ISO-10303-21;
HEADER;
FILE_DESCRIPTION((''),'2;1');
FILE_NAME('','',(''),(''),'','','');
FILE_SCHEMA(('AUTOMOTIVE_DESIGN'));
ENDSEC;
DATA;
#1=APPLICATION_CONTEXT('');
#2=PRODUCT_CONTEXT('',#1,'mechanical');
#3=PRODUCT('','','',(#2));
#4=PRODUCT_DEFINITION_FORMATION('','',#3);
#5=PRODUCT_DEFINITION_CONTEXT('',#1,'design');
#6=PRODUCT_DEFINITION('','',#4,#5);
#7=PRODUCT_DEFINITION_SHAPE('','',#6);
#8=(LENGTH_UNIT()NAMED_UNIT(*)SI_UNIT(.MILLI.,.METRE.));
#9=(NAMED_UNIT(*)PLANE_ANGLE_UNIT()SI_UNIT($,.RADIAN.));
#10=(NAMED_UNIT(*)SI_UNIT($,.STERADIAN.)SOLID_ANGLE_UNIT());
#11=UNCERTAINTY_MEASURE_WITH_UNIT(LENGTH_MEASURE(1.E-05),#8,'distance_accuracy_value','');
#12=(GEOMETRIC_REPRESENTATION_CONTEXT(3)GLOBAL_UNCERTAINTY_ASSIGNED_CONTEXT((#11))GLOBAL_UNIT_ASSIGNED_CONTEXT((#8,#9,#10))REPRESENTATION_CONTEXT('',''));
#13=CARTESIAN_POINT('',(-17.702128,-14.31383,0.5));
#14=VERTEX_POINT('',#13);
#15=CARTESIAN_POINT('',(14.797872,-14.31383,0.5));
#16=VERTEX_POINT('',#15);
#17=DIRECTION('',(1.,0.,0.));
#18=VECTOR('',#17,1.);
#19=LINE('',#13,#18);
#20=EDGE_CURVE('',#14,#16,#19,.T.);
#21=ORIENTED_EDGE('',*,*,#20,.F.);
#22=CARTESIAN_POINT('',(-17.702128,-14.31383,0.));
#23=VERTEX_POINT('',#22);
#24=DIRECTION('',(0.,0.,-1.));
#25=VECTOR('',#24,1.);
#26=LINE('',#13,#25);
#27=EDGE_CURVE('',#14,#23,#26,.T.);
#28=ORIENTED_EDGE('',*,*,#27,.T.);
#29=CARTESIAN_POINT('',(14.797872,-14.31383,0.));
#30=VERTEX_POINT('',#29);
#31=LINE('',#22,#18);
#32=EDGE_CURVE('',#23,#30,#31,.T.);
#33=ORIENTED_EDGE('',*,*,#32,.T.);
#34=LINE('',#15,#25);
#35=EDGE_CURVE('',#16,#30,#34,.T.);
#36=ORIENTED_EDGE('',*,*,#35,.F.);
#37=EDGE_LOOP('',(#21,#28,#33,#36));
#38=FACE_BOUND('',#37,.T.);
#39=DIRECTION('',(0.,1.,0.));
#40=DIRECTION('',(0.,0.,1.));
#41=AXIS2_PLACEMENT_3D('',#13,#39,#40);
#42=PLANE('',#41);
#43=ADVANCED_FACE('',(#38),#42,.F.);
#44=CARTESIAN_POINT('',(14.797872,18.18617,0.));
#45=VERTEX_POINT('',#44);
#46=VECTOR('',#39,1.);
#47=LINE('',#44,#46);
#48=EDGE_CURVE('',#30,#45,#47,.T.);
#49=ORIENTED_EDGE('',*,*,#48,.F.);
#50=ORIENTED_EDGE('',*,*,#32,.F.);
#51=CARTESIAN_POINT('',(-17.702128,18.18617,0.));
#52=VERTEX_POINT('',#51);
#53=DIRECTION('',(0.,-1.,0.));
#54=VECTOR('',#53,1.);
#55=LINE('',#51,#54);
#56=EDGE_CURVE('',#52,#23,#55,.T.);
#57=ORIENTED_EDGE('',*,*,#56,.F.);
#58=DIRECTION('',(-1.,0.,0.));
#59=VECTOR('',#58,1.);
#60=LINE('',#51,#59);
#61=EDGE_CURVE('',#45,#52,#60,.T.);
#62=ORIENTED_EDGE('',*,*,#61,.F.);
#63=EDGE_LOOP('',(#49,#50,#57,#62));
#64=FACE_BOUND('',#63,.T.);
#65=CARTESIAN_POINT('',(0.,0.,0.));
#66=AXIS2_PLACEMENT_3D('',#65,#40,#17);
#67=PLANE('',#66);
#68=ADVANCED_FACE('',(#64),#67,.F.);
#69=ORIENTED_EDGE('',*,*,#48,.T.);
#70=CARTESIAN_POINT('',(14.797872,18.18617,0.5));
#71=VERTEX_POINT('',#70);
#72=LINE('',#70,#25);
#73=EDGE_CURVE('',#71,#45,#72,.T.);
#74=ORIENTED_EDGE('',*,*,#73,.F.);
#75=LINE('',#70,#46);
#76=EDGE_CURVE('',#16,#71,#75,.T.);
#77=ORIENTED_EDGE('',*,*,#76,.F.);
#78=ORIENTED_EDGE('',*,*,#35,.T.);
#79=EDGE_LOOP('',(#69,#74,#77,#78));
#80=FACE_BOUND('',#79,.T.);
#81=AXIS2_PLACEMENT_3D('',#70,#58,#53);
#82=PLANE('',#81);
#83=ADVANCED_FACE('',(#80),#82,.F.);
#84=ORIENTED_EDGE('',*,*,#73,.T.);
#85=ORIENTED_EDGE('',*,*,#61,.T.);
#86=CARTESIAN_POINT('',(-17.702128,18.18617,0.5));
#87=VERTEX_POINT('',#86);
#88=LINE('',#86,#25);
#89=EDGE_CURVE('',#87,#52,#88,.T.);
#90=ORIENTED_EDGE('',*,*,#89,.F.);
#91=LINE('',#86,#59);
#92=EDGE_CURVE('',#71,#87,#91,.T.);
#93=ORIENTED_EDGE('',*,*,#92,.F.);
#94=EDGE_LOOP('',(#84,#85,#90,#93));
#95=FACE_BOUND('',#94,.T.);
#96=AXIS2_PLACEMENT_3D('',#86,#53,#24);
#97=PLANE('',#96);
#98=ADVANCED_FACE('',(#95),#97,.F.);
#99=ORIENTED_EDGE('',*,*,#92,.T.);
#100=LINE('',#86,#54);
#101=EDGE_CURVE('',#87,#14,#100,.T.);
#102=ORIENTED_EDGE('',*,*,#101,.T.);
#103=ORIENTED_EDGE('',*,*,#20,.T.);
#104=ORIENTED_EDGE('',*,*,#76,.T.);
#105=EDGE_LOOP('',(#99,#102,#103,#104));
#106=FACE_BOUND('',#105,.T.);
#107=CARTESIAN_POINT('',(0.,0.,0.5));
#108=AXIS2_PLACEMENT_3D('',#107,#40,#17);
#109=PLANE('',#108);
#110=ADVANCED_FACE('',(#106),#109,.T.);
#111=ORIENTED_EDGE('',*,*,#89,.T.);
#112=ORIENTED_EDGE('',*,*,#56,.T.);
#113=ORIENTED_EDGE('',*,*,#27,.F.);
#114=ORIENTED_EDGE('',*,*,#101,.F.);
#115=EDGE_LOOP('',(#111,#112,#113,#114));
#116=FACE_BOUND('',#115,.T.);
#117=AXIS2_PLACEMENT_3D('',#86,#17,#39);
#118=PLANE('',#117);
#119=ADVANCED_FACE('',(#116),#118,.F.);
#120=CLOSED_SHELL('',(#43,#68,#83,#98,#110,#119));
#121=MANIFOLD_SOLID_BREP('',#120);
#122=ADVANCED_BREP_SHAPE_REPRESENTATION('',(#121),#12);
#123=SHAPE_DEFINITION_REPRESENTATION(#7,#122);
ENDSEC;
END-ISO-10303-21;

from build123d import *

# Parameters (mm, degrees)
ESBO_O1_W                = 32.5
ESBO_O1_H                = 32.5
RESSALTO_EXTRUS_O1_DEPTH = 0.5


with BuildPart() as part:
    # Esboço1 → Ressalto-extrusão1 (new body)
    with BuildSketch(Plane.XY):
        with Locations((-1.45212766, 1.936170213)):
            Rectangle(ESBO_O1_W, ESBO_O1_H)
    extrude(amount=RESSALTO_EXTRUS_O1_DEPTH)


solid = part.part
